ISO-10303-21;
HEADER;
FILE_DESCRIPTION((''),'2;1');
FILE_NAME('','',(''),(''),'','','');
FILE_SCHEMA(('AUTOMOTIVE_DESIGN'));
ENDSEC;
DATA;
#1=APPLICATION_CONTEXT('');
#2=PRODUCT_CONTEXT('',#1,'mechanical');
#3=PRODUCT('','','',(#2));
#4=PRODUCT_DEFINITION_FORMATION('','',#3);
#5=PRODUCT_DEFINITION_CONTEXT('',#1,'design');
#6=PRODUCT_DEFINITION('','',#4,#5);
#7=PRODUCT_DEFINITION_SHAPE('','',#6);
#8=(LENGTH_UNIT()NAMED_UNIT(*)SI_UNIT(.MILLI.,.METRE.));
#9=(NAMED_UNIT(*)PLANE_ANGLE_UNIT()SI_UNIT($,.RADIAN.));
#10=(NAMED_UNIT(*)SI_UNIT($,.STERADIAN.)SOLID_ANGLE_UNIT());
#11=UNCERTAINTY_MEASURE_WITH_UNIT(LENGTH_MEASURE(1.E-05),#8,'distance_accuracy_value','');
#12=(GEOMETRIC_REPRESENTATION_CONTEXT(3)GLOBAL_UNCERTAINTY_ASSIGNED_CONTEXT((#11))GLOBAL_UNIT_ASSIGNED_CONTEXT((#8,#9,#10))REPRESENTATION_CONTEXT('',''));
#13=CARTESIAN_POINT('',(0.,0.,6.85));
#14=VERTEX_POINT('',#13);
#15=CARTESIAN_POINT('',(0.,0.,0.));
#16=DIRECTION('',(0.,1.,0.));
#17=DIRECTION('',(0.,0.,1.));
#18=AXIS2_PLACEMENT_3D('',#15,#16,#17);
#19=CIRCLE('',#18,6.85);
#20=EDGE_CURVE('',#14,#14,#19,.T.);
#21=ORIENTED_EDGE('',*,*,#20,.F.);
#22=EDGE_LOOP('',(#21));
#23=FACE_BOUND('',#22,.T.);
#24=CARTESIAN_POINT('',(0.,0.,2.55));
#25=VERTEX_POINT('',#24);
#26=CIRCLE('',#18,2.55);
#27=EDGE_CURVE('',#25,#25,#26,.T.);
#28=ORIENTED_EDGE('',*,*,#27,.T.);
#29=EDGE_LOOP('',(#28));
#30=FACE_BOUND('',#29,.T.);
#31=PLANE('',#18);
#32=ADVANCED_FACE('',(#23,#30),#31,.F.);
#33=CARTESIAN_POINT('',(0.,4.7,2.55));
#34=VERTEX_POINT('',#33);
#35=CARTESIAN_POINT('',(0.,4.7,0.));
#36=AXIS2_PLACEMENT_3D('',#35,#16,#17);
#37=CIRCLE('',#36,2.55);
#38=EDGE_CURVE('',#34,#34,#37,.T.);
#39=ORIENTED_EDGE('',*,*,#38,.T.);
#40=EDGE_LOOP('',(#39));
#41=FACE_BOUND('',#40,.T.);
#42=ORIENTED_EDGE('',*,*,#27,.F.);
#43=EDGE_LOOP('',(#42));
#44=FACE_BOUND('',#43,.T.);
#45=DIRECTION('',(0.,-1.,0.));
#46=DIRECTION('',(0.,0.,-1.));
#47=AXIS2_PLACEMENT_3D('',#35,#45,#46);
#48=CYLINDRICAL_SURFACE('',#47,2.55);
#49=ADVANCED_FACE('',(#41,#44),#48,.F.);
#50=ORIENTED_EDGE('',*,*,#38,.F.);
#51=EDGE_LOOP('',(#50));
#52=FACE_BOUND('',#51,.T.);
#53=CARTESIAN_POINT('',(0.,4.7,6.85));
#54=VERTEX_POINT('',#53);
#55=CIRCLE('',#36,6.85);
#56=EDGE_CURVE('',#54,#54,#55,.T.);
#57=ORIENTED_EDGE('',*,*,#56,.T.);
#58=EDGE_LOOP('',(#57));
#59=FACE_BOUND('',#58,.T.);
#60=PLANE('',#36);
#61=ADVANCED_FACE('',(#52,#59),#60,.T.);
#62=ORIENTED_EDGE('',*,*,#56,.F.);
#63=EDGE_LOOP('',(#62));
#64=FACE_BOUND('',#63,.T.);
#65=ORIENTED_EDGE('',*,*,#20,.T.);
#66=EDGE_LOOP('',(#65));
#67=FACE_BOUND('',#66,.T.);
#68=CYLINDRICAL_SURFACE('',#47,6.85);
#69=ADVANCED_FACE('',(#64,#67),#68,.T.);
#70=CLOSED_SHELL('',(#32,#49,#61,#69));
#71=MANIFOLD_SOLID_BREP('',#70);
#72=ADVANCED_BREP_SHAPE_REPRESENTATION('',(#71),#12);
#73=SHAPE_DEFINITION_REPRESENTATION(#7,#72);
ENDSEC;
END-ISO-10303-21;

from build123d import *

# Parameters (mm, degrees)
SKETCH1_R           = 6.85
SKETCH1_R_2         = 2.55
BOSS_EXTRUDE1_DEPTH = 4.7


with BuildPart() as part:
    # Sketch1 → Boss-Extrude1 (new body)
    with BuildSketch(Plane(origin=(0, 0, 0), x_dir=(1, 0, 0), z_dir=(0, 1, 0))):
        with Locations(Location((0, 0, 0), (0, 0, 270))):
            Circle(SKETCH1_R)
        with Locations(Location((0, 0, 0), (0, 0, 270))):
            Circle(SKETCH1_R_2, mode=Mode.SUBTRACT)
    extrude(amount=BOSS_EXTRUDE1_DEPTH)


solid = part.part
